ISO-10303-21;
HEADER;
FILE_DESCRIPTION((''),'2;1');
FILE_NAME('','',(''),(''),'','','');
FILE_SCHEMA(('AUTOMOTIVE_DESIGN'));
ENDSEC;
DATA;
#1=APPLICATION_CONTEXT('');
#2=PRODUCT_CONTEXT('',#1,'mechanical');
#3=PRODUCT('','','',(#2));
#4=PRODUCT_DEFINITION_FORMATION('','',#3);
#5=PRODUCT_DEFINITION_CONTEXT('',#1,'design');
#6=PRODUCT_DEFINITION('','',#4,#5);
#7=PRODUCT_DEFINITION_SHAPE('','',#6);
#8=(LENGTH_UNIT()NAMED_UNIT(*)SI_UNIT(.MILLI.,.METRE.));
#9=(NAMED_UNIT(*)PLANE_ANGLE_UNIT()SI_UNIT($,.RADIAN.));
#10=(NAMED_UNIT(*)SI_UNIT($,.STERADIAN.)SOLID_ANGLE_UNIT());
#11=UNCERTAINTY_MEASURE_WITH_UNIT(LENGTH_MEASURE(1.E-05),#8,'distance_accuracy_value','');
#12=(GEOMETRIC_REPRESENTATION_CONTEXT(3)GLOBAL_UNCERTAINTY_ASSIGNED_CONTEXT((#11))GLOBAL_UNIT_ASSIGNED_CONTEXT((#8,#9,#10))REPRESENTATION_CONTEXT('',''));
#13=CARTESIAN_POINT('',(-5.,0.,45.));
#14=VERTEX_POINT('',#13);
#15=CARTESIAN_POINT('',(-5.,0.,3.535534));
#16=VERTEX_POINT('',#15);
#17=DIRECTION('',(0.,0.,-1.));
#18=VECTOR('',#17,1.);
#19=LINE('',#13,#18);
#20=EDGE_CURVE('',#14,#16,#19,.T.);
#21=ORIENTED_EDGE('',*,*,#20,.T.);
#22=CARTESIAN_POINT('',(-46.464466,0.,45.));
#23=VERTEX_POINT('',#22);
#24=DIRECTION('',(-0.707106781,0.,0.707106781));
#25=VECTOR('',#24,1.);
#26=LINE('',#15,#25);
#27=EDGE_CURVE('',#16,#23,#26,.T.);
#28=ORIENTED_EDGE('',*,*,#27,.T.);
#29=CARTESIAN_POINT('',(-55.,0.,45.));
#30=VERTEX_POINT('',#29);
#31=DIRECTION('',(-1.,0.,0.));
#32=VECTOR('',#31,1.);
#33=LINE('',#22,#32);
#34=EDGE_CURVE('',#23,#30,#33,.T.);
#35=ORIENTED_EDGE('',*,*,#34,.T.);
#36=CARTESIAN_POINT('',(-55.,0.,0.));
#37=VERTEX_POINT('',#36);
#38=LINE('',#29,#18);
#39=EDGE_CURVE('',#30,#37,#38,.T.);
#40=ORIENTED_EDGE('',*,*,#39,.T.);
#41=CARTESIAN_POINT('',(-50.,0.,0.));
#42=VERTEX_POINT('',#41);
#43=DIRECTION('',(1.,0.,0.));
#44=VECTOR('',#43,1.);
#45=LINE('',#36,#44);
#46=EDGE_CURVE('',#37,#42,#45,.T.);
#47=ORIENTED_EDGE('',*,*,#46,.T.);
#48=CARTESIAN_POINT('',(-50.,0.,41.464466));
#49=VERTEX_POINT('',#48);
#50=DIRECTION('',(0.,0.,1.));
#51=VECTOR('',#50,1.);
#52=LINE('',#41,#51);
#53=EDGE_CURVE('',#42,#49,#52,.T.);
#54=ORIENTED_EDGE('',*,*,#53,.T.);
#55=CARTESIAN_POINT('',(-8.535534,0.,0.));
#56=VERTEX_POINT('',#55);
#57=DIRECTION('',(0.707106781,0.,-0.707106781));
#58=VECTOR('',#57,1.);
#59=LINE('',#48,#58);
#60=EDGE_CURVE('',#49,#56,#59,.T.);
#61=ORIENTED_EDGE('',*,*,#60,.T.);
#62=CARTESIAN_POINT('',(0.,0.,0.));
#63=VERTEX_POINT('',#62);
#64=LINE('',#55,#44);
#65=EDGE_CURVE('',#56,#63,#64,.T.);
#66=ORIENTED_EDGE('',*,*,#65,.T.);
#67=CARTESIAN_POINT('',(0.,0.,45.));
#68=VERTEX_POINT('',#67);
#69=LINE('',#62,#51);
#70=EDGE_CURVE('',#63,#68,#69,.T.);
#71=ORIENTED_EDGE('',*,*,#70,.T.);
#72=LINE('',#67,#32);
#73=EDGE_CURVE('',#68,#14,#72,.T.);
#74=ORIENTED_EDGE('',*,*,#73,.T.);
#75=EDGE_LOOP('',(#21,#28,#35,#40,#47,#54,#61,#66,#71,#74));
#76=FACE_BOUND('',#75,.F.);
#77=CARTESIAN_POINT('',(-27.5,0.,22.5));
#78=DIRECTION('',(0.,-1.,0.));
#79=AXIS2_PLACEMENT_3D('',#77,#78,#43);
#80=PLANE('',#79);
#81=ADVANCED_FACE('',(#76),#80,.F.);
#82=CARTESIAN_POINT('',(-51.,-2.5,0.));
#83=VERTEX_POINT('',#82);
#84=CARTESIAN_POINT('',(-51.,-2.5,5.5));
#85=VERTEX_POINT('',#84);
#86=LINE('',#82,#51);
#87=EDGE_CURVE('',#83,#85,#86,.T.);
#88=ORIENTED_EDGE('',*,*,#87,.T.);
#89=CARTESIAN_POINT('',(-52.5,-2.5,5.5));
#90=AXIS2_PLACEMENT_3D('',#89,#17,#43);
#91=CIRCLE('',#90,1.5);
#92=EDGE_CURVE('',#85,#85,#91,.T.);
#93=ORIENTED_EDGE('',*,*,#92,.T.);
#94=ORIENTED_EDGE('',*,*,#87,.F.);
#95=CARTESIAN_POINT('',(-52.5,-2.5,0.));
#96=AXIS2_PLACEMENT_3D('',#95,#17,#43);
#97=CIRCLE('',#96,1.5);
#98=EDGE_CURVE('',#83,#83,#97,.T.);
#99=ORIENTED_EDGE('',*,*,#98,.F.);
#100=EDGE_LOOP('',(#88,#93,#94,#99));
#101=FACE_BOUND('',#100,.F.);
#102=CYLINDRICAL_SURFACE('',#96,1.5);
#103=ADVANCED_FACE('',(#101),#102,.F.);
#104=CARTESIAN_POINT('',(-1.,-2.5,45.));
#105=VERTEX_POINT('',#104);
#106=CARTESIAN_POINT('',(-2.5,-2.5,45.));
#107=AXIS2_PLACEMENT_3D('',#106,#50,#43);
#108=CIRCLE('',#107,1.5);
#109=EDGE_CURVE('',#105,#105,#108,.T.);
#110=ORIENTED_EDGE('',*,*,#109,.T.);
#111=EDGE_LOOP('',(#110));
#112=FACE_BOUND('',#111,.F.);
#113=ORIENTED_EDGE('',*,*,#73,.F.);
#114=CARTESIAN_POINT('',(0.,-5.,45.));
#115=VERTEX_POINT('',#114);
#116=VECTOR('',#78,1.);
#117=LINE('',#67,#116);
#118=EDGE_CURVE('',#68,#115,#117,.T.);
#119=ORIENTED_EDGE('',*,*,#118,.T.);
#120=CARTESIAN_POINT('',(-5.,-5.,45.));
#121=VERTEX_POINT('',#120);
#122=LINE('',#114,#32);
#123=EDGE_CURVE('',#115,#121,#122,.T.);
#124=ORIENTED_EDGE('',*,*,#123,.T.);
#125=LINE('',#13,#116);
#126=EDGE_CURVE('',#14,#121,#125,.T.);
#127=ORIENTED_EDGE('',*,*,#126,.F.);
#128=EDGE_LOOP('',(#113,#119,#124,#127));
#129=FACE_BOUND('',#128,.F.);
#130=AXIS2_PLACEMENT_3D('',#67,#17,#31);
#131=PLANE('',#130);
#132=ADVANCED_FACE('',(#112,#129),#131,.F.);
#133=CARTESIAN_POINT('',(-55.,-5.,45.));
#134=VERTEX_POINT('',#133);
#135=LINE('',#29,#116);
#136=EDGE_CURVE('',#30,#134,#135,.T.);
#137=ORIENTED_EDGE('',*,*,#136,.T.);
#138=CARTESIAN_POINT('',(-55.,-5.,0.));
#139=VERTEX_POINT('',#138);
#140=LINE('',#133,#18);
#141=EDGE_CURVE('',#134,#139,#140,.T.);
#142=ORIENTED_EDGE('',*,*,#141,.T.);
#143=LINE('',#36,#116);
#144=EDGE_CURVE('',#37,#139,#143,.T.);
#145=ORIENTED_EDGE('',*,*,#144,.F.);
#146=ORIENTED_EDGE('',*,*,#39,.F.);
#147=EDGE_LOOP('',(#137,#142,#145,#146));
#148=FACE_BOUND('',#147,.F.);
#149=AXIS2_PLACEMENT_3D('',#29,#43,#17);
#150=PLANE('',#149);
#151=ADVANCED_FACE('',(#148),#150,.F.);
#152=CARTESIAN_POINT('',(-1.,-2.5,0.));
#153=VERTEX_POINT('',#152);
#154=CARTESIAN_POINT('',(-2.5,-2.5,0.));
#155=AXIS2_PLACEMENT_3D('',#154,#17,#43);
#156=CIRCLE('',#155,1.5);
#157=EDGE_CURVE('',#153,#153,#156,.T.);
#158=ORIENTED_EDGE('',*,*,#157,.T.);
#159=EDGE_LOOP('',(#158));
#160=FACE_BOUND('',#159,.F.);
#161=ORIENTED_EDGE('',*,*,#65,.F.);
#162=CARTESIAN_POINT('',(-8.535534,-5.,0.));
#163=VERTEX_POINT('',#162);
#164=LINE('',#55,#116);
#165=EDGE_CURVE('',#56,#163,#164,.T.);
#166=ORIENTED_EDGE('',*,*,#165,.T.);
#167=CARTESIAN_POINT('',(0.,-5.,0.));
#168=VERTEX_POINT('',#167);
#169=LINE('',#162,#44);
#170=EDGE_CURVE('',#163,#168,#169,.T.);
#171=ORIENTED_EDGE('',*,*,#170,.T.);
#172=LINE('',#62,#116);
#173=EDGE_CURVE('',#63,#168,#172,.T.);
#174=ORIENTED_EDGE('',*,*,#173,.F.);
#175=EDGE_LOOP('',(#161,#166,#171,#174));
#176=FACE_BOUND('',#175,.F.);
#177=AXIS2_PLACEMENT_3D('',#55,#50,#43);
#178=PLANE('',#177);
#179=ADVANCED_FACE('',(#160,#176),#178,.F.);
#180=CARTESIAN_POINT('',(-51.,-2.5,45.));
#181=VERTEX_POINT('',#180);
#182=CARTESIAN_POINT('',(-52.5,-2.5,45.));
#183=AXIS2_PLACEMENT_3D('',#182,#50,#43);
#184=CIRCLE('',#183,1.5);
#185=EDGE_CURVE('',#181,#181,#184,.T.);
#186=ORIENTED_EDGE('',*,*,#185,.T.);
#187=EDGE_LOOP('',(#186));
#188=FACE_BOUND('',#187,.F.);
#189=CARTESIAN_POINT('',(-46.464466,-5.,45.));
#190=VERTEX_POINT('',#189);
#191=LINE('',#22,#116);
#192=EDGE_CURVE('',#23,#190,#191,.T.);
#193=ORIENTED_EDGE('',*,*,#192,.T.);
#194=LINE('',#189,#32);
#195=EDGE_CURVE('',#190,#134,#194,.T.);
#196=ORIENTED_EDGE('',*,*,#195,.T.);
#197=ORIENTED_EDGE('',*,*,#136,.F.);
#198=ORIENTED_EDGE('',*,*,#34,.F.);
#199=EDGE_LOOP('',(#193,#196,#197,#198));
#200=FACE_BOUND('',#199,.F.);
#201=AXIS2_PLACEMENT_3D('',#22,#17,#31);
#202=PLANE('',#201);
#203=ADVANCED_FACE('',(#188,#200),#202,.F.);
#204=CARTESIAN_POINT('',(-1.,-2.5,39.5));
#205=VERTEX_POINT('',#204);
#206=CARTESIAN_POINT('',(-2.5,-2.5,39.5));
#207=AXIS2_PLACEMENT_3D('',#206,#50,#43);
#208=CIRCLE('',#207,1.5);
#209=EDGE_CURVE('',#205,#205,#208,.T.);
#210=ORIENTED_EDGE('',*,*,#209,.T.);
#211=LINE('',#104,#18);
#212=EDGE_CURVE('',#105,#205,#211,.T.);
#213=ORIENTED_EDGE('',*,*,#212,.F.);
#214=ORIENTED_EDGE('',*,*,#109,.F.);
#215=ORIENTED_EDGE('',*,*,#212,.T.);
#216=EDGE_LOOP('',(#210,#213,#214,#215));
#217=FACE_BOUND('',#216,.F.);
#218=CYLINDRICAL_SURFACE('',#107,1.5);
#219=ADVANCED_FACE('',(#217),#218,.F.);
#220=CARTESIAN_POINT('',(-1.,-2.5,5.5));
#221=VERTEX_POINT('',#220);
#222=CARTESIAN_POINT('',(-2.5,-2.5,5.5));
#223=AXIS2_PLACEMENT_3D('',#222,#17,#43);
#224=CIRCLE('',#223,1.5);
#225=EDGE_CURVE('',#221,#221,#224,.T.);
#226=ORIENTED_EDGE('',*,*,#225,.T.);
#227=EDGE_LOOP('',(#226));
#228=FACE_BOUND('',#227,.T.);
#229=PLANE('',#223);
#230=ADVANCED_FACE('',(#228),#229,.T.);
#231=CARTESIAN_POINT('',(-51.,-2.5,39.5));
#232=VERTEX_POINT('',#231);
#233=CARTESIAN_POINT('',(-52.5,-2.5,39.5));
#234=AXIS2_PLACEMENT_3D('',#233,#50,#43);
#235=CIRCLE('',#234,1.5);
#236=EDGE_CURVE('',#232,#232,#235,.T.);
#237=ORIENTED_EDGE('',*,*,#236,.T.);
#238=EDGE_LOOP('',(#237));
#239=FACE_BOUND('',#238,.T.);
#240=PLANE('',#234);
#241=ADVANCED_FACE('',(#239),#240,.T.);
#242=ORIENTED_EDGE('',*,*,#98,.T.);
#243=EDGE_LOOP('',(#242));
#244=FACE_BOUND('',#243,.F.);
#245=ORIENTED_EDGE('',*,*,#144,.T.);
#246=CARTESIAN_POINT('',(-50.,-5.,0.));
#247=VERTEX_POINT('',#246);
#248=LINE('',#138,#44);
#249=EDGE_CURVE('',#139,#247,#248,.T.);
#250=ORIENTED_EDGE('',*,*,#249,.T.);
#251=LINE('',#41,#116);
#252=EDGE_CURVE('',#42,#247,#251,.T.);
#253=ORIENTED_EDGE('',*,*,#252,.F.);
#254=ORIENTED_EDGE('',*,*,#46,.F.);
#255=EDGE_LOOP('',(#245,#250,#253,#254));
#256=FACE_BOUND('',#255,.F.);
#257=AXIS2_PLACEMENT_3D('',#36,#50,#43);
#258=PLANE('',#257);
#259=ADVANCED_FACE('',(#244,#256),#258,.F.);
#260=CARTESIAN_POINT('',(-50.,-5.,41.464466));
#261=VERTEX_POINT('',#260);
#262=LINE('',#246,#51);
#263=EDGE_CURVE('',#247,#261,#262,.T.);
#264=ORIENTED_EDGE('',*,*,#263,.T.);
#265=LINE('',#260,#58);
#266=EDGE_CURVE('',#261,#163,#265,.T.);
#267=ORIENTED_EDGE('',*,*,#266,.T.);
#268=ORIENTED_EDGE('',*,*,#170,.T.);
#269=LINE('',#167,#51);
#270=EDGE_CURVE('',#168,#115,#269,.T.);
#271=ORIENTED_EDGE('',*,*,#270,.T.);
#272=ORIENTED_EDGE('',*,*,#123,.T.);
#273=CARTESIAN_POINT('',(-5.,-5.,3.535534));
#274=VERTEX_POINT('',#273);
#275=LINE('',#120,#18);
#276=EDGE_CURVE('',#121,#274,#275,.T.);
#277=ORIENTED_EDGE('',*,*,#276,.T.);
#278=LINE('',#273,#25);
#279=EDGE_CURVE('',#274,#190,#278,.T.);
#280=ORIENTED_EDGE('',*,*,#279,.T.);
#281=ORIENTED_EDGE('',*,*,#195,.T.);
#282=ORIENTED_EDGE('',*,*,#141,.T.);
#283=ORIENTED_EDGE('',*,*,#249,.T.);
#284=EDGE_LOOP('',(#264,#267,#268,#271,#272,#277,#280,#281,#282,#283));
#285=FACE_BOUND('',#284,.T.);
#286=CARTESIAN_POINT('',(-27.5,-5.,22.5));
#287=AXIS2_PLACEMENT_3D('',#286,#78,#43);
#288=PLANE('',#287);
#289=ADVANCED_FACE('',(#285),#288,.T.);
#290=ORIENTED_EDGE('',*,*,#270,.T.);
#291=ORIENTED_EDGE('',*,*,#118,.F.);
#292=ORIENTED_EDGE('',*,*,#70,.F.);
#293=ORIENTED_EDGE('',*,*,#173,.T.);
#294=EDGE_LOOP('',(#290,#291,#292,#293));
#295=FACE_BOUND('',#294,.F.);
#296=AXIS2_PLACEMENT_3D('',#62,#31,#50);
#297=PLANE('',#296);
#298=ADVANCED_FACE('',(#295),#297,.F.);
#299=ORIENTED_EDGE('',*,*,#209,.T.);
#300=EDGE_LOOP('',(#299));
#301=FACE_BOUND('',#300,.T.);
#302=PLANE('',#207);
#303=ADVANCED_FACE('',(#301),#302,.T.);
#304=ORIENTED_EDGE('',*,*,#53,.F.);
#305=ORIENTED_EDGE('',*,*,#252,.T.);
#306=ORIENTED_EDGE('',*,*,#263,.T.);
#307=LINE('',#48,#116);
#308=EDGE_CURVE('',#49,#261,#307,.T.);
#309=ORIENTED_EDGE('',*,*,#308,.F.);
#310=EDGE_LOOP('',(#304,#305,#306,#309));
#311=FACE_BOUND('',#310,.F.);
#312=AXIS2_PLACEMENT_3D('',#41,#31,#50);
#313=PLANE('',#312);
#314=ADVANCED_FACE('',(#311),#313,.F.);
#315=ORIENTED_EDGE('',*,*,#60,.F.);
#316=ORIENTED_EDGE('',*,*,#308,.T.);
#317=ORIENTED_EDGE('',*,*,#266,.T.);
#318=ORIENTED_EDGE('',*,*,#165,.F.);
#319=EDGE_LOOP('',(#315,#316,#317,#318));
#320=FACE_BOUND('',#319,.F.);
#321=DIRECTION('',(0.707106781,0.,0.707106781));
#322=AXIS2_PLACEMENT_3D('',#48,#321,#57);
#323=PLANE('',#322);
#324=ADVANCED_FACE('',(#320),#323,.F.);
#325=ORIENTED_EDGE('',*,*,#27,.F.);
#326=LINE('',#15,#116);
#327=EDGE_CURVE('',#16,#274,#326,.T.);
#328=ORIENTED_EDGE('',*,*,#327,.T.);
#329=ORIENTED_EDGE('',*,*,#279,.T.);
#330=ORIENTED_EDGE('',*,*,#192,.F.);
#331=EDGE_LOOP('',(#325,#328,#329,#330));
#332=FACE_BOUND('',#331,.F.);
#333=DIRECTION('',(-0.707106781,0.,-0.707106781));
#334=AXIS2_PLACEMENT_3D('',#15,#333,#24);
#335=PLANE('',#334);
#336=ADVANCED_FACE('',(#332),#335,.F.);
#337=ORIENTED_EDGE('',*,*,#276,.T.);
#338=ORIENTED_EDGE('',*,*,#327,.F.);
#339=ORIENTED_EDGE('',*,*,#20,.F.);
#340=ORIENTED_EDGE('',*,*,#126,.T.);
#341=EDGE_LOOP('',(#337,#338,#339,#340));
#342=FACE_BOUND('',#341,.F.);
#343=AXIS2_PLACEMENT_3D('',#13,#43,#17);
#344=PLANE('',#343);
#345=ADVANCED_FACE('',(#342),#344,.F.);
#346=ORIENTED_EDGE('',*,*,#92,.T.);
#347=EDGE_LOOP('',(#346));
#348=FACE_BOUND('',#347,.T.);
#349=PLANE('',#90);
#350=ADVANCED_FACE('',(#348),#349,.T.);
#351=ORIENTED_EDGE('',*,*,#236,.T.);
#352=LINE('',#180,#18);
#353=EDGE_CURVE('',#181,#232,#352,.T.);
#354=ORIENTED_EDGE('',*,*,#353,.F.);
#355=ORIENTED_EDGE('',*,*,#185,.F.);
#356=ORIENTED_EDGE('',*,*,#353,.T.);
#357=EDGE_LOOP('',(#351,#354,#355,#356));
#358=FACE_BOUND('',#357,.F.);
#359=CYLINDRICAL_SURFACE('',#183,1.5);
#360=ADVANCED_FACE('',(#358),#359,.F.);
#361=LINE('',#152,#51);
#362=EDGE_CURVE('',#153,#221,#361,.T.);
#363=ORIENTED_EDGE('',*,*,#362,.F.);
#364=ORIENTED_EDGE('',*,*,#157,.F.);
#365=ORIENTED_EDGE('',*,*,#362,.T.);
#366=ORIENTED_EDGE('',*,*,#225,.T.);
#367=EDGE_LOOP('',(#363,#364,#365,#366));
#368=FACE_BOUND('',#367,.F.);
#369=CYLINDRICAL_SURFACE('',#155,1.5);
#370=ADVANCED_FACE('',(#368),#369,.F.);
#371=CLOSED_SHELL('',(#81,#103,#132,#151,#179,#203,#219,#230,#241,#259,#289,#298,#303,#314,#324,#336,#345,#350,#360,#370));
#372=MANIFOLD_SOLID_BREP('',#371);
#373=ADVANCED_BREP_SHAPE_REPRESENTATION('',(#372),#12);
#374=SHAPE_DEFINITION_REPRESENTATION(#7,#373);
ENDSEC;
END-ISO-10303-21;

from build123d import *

# Parameters (mm, degrees)
F1_DEPTH = 5
F2_R     = 1.5
F2_R_2   = 4.115786
F3_DEPTH = 5.5
F4_R     = 1.5
F5_DEPTH = 5.5


with BuildPart() as f1:
    # F0 (on Front) → F1 (new body)
    with BuildSketch(Plane.XZ):
        Polygon((-46.464466, 45), (-55, 45), (-55, 0), (-50, 0), (-50, 41.464466), (-8.535534, 0), (0, 0), (0, 45), (-5, 45), (-5, 3.535534), align=None)
    extrude(amount=F1_DEPTH)

    # F2 (on face) → F3 (cut)
    with BuildSketch(Plane.XY.offset(45)):
        with Locations((-52.5, -2.5)):
            Circle(F2_R)
        with Locations((-2.5, -2.5)):
            Circle(F2_R)
        with Locations((101.68349, -24.659157)):
            Circle(F2_R_2)
    extrude(amount=-F3_DEPTH, mode=Mode.SUBTRACT)

    # F4 (on face) → F5 (cut)
    with BuildSketch(Plane(origin=(0, 0, 0), x_dir=(1, 0, 0), z_dir=(0, 0, -1))):
        with Locations((-52.5, 2.5)):
            Circle(F4_R)
        with Locations((-2.5, 2.5)):
            Circle(F4_R)
    extrude(amount=-F5_DEPTH, mode=Mode.SUBTRACT)


solid = f1.part
